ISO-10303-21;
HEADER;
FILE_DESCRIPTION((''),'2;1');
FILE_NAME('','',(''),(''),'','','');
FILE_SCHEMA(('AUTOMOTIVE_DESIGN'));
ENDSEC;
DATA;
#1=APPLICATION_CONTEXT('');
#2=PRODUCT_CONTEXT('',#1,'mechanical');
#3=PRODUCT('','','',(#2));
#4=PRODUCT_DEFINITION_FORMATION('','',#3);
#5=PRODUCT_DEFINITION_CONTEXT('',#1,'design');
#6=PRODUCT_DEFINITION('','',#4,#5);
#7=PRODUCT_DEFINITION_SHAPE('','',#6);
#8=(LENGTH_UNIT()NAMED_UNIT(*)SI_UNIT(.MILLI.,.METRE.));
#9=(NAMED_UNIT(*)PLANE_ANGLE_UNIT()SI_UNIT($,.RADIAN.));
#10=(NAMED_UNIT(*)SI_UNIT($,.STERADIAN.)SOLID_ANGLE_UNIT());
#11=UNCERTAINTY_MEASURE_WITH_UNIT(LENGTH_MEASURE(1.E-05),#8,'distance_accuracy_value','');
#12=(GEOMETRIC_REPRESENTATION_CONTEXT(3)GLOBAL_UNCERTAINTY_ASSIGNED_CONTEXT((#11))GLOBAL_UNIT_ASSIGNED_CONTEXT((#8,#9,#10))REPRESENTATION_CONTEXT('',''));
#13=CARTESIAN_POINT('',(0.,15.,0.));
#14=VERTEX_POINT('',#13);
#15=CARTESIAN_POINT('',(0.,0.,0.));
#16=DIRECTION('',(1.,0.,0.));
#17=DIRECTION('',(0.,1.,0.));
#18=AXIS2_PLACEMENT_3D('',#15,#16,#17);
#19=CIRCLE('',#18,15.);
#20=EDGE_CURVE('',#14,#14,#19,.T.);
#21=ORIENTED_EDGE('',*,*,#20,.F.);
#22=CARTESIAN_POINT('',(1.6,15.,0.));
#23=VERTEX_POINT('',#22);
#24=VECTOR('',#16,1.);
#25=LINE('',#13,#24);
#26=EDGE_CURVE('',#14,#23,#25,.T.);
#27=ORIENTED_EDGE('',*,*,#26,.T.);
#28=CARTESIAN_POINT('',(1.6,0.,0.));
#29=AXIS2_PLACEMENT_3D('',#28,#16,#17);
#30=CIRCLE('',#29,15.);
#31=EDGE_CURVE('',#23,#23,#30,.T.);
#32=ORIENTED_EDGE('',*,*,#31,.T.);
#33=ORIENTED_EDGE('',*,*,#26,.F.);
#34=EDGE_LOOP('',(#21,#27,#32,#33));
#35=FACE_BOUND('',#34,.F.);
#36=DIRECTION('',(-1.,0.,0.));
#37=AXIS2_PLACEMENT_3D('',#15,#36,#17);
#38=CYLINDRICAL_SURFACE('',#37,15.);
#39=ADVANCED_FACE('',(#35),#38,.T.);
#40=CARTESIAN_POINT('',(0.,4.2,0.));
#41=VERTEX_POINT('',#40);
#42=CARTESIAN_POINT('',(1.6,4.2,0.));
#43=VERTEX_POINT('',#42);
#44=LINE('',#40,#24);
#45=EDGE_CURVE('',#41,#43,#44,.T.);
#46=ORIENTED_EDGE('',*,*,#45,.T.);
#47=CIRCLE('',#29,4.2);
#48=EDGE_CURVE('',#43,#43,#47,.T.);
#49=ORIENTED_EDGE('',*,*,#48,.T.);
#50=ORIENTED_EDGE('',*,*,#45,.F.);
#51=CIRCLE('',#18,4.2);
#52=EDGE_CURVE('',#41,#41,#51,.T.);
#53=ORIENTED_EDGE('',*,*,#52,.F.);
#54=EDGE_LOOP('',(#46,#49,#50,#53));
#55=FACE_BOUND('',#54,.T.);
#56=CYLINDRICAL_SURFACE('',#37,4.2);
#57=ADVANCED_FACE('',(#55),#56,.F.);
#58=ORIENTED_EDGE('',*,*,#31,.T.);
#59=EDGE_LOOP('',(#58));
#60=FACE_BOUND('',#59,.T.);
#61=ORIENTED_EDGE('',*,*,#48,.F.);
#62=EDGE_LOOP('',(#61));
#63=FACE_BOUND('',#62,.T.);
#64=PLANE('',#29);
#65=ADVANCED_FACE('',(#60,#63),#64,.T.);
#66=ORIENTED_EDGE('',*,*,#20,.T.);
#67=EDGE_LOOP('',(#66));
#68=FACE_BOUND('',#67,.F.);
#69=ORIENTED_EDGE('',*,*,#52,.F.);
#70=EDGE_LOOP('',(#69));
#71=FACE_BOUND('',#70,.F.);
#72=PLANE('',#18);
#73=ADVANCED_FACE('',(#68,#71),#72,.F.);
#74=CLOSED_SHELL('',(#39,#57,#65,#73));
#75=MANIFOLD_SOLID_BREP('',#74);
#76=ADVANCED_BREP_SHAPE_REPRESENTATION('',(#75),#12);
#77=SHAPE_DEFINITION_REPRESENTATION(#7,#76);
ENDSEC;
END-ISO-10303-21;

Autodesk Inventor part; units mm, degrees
ref_plane "YZ Plane" through (0, 0, 0) normal (1, 0, 0) x (0, 1, 0)
ref_plane "XZ Plane" through (0, 0, 0) normal (0, 1, 0) x (-1, 0, 0)
sketch "Sketch" plane through (0, 0, 0) normal (1, 0, 0) x (0, 1, 0)
  circle A0 centre (0, 0) radius 15
  circle A1 centre (0, 0) radius 4.2
  dimension "d0" = 8.4
  dimension "d1" = 30
extrude "Body" add sketch "Sketch" along normal blind 1.6
ref_plane "Work Plane1" through (0, 0, 0) normal (0, 0, 1) x (1, 0, 0)
equation "\"d0\" = SD1"
equation "\"d1\" = SD2"
equation "\"d2\" = SD"
equation "\"SD1\" = 8.4"
equation "\"SD2\" = 30"
equation "\"SD\" = 1.6"
equation "\"NND\" = 8"
properties part number "Washer M8" material "Steel, Mild"
